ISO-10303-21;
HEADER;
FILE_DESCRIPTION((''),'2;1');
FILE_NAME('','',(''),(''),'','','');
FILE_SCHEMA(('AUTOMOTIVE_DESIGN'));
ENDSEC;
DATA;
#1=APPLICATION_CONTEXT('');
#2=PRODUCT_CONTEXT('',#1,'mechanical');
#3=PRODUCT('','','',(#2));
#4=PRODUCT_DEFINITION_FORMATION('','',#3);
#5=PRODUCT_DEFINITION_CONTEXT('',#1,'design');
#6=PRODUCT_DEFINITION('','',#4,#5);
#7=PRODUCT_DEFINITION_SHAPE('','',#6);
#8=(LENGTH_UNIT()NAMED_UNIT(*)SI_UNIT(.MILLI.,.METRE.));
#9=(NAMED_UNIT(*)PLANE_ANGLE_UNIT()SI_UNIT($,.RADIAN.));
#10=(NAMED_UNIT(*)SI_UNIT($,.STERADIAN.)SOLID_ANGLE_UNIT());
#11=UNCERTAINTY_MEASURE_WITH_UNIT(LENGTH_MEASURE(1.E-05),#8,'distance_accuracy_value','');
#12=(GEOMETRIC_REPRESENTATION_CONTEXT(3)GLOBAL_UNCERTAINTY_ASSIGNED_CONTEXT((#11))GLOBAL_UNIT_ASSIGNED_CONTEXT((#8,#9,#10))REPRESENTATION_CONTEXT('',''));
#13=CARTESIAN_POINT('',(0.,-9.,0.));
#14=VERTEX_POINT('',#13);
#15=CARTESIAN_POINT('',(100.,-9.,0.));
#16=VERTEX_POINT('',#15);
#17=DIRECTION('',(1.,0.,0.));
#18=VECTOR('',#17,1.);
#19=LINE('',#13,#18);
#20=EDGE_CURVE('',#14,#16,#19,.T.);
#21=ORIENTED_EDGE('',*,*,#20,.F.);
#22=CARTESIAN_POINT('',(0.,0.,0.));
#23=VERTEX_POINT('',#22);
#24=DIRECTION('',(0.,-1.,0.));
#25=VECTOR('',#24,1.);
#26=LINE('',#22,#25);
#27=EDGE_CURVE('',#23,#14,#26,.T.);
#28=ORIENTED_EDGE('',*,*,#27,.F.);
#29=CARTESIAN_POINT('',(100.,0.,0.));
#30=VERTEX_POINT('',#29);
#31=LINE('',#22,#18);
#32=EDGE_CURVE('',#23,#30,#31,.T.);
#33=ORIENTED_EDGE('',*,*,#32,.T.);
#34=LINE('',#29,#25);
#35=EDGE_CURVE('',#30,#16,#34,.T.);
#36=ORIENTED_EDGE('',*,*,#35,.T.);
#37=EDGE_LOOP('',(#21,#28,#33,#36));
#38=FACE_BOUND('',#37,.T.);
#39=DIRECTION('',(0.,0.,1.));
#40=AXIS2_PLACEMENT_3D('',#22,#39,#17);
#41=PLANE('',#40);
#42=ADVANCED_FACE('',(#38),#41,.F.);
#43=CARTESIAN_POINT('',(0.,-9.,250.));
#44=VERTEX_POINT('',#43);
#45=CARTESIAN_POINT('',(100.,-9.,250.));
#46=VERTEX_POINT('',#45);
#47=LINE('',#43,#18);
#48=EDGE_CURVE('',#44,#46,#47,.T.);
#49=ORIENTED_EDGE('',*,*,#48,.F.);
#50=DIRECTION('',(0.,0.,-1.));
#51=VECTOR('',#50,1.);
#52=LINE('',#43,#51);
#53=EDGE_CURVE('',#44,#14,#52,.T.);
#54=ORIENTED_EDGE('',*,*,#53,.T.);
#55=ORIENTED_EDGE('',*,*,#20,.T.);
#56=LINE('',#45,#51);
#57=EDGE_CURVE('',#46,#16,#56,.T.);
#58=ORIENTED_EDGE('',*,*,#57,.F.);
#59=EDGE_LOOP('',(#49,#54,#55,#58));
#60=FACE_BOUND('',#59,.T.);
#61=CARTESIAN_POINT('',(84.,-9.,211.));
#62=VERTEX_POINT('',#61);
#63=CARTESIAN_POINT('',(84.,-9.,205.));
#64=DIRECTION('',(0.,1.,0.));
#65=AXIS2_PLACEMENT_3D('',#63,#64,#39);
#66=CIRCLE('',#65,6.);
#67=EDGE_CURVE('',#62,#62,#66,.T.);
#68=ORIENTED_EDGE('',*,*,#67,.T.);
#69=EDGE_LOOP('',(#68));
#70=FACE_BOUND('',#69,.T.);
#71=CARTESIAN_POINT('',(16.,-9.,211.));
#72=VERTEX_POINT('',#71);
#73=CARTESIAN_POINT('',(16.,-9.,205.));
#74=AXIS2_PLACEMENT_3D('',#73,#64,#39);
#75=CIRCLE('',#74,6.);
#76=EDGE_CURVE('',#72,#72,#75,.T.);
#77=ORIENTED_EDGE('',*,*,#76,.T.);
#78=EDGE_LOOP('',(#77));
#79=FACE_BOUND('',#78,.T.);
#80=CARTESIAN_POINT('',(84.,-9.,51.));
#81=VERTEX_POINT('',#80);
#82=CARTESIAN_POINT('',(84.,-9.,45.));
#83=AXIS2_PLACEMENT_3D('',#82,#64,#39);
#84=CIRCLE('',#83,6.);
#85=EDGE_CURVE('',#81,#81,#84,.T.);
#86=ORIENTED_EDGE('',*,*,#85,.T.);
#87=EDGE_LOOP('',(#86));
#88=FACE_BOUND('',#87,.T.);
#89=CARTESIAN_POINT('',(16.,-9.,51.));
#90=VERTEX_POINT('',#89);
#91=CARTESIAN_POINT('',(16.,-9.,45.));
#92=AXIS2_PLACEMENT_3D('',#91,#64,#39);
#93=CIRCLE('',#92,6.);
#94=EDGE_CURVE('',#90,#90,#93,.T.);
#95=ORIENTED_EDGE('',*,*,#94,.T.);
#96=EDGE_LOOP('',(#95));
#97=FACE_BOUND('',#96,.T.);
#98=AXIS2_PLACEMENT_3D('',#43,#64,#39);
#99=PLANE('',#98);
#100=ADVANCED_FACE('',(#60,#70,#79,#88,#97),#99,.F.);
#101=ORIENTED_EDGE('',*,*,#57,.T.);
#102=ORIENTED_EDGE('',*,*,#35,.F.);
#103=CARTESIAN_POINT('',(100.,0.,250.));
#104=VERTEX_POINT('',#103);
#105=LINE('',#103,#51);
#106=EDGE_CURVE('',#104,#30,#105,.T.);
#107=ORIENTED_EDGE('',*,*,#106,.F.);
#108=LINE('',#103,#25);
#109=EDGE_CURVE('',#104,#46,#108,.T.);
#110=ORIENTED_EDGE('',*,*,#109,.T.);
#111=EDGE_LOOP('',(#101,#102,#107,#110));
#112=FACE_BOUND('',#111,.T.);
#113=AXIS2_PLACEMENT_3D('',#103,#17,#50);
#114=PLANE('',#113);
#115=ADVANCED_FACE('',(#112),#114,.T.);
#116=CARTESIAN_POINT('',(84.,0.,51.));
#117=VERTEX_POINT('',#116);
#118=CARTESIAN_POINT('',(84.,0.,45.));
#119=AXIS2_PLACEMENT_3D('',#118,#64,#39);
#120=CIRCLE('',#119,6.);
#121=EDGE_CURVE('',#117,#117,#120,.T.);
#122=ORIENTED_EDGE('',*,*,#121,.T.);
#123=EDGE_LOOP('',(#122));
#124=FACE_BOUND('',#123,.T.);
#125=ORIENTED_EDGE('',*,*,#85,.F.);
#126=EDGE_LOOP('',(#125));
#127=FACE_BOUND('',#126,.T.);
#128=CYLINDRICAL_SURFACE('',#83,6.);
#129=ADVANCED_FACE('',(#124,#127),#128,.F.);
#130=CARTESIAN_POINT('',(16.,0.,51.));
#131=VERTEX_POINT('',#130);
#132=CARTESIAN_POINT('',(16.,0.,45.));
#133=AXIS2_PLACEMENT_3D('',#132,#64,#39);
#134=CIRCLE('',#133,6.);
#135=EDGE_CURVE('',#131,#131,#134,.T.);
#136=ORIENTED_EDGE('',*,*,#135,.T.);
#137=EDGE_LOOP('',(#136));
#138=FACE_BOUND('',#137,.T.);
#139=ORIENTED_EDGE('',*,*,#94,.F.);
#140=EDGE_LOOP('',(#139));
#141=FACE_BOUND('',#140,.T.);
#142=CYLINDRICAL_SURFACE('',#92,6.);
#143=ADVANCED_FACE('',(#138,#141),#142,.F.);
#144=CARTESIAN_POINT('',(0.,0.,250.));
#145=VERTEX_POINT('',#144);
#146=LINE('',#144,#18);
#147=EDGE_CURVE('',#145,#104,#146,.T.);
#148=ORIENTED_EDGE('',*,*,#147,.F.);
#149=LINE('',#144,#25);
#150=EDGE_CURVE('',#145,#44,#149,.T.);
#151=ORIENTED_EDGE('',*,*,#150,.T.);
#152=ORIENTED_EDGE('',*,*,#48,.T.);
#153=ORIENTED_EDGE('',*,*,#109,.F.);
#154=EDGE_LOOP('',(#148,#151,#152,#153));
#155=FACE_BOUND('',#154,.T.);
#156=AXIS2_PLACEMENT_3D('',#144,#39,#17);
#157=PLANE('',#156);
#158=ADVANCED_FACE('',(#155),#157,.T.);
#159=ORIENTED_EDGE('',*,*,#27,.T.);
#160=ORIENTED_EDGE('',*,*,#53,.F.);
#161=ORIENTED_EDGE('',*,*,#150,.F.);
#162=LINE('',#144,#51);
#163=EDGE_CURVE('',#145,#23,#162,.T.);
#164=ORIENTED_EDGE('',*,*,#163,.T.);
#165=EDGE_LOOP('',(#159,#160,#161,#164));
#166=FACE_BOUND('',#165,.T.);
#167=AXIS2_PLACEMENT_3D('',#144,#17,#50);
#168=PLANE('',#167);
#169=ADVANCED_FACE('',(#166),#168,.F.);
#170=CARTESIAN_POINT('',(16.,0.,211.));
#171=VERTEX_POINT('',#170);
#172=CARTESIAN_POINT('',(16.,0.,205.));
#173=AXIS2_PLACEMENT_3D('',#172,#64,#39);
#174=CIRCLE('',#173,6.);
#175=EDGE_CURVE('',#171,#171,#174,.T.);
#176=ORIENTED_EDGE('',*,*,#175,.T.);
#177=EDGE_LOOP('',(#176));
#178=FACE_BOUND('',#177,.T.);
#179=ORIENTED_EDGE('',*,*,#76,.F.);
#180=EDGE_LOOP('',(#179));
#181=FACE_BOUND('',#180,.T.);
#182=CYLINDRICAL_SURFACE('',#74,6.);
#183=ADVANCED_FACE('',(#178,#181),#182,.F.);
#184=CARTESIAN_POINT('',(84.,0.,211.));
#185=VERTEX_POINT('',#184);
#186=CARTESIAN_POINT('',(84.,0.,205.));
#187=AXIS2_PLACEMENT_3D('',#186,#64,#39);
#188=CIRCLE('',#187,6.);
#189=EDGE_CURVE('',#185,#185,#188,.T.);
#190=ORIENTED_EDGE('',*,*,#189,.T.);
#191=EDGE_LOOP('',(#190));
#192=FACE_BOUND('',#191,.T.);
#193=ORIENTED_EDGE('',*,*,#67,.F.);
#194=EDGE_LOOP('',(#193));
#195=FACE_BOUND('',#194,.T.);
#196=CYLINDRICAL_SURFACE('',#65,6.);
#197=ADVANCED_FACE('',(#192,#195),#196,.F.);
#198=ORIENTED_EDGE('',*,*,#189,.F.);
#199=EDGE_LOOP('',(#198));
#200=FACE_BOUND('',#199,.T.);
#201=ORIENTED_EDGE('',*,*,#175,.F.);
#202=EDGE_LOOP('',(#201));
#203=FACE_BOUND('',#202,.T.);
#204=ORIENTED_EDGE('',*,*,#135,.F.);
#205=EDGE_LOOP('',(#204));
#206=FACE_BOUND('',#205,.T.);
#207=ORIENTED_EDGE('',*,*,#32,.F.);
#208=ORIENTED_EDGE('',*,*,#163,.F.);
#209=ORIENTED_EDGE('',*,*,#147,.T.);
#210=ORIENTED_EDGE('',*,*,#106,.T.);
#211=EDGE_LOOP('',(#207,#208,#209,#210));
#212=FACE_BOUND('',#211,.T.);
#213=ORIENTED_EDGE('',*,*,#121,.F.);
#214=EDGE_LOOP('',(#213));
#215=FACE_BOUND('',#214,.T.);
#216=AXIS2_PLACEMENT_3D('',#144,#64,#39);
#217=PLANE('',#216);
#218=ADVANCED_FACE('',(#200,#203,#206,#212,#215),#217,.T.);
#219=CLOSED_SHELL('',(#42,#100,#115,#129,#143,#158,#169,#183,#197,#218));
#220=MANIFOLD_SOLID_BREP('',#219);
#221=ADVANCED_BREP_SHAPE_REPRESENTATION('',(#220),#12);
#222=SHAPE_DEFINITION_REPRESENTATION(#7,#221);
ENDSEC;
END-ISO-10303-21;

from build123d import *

# Parameters (mm, degrees)
SKETCH1_W           = 100
SKETCH1_H           = 9
BOSS_EXTRUDE1_DEPTH = 250
SKETCH2_R           = 6
CUT_EXTRUDE2_DEPTH  = 270.408611592


with BuildPart() as part:
    # Sketch1 → Boss-Extrude1 (new body)
    with BuildSketch(Plane.XY):
        with Locations((50, -4.5)):
            Rectangle(SKETCH1_W, SKETCH1_H)
    extrude(amount=BOSS_EXTRUDE1_DEPTH)

    # Sketch2 → Cut-Extrude2 (cut, through all)
    with BuildSketch(Plane(origin=(0, 0, 0), x_dir=(1, 0, 0), z_dir=(0, 1, 0))):
        with Locations(Location((16, -45, 0), (0, 0, 270))):
            Circle(SKETCH2_R)
        with Locations(Location((84, -45, 0), (0, 0, 270))):
            Circle(SKETCH2_R)
        with Locations(Location((16, -205, 0), (0, 0, 270))):
            Circle(SKETCH2_R)
        with Locations(Location((84, -205, 0), (0, 0, 270))):
            Circle(SKETCH2_R)
    extrude(amount=-CUT_EXTRUDE2_DEPTH, mode=Mode.SUBTRACT)


solid = part.part
